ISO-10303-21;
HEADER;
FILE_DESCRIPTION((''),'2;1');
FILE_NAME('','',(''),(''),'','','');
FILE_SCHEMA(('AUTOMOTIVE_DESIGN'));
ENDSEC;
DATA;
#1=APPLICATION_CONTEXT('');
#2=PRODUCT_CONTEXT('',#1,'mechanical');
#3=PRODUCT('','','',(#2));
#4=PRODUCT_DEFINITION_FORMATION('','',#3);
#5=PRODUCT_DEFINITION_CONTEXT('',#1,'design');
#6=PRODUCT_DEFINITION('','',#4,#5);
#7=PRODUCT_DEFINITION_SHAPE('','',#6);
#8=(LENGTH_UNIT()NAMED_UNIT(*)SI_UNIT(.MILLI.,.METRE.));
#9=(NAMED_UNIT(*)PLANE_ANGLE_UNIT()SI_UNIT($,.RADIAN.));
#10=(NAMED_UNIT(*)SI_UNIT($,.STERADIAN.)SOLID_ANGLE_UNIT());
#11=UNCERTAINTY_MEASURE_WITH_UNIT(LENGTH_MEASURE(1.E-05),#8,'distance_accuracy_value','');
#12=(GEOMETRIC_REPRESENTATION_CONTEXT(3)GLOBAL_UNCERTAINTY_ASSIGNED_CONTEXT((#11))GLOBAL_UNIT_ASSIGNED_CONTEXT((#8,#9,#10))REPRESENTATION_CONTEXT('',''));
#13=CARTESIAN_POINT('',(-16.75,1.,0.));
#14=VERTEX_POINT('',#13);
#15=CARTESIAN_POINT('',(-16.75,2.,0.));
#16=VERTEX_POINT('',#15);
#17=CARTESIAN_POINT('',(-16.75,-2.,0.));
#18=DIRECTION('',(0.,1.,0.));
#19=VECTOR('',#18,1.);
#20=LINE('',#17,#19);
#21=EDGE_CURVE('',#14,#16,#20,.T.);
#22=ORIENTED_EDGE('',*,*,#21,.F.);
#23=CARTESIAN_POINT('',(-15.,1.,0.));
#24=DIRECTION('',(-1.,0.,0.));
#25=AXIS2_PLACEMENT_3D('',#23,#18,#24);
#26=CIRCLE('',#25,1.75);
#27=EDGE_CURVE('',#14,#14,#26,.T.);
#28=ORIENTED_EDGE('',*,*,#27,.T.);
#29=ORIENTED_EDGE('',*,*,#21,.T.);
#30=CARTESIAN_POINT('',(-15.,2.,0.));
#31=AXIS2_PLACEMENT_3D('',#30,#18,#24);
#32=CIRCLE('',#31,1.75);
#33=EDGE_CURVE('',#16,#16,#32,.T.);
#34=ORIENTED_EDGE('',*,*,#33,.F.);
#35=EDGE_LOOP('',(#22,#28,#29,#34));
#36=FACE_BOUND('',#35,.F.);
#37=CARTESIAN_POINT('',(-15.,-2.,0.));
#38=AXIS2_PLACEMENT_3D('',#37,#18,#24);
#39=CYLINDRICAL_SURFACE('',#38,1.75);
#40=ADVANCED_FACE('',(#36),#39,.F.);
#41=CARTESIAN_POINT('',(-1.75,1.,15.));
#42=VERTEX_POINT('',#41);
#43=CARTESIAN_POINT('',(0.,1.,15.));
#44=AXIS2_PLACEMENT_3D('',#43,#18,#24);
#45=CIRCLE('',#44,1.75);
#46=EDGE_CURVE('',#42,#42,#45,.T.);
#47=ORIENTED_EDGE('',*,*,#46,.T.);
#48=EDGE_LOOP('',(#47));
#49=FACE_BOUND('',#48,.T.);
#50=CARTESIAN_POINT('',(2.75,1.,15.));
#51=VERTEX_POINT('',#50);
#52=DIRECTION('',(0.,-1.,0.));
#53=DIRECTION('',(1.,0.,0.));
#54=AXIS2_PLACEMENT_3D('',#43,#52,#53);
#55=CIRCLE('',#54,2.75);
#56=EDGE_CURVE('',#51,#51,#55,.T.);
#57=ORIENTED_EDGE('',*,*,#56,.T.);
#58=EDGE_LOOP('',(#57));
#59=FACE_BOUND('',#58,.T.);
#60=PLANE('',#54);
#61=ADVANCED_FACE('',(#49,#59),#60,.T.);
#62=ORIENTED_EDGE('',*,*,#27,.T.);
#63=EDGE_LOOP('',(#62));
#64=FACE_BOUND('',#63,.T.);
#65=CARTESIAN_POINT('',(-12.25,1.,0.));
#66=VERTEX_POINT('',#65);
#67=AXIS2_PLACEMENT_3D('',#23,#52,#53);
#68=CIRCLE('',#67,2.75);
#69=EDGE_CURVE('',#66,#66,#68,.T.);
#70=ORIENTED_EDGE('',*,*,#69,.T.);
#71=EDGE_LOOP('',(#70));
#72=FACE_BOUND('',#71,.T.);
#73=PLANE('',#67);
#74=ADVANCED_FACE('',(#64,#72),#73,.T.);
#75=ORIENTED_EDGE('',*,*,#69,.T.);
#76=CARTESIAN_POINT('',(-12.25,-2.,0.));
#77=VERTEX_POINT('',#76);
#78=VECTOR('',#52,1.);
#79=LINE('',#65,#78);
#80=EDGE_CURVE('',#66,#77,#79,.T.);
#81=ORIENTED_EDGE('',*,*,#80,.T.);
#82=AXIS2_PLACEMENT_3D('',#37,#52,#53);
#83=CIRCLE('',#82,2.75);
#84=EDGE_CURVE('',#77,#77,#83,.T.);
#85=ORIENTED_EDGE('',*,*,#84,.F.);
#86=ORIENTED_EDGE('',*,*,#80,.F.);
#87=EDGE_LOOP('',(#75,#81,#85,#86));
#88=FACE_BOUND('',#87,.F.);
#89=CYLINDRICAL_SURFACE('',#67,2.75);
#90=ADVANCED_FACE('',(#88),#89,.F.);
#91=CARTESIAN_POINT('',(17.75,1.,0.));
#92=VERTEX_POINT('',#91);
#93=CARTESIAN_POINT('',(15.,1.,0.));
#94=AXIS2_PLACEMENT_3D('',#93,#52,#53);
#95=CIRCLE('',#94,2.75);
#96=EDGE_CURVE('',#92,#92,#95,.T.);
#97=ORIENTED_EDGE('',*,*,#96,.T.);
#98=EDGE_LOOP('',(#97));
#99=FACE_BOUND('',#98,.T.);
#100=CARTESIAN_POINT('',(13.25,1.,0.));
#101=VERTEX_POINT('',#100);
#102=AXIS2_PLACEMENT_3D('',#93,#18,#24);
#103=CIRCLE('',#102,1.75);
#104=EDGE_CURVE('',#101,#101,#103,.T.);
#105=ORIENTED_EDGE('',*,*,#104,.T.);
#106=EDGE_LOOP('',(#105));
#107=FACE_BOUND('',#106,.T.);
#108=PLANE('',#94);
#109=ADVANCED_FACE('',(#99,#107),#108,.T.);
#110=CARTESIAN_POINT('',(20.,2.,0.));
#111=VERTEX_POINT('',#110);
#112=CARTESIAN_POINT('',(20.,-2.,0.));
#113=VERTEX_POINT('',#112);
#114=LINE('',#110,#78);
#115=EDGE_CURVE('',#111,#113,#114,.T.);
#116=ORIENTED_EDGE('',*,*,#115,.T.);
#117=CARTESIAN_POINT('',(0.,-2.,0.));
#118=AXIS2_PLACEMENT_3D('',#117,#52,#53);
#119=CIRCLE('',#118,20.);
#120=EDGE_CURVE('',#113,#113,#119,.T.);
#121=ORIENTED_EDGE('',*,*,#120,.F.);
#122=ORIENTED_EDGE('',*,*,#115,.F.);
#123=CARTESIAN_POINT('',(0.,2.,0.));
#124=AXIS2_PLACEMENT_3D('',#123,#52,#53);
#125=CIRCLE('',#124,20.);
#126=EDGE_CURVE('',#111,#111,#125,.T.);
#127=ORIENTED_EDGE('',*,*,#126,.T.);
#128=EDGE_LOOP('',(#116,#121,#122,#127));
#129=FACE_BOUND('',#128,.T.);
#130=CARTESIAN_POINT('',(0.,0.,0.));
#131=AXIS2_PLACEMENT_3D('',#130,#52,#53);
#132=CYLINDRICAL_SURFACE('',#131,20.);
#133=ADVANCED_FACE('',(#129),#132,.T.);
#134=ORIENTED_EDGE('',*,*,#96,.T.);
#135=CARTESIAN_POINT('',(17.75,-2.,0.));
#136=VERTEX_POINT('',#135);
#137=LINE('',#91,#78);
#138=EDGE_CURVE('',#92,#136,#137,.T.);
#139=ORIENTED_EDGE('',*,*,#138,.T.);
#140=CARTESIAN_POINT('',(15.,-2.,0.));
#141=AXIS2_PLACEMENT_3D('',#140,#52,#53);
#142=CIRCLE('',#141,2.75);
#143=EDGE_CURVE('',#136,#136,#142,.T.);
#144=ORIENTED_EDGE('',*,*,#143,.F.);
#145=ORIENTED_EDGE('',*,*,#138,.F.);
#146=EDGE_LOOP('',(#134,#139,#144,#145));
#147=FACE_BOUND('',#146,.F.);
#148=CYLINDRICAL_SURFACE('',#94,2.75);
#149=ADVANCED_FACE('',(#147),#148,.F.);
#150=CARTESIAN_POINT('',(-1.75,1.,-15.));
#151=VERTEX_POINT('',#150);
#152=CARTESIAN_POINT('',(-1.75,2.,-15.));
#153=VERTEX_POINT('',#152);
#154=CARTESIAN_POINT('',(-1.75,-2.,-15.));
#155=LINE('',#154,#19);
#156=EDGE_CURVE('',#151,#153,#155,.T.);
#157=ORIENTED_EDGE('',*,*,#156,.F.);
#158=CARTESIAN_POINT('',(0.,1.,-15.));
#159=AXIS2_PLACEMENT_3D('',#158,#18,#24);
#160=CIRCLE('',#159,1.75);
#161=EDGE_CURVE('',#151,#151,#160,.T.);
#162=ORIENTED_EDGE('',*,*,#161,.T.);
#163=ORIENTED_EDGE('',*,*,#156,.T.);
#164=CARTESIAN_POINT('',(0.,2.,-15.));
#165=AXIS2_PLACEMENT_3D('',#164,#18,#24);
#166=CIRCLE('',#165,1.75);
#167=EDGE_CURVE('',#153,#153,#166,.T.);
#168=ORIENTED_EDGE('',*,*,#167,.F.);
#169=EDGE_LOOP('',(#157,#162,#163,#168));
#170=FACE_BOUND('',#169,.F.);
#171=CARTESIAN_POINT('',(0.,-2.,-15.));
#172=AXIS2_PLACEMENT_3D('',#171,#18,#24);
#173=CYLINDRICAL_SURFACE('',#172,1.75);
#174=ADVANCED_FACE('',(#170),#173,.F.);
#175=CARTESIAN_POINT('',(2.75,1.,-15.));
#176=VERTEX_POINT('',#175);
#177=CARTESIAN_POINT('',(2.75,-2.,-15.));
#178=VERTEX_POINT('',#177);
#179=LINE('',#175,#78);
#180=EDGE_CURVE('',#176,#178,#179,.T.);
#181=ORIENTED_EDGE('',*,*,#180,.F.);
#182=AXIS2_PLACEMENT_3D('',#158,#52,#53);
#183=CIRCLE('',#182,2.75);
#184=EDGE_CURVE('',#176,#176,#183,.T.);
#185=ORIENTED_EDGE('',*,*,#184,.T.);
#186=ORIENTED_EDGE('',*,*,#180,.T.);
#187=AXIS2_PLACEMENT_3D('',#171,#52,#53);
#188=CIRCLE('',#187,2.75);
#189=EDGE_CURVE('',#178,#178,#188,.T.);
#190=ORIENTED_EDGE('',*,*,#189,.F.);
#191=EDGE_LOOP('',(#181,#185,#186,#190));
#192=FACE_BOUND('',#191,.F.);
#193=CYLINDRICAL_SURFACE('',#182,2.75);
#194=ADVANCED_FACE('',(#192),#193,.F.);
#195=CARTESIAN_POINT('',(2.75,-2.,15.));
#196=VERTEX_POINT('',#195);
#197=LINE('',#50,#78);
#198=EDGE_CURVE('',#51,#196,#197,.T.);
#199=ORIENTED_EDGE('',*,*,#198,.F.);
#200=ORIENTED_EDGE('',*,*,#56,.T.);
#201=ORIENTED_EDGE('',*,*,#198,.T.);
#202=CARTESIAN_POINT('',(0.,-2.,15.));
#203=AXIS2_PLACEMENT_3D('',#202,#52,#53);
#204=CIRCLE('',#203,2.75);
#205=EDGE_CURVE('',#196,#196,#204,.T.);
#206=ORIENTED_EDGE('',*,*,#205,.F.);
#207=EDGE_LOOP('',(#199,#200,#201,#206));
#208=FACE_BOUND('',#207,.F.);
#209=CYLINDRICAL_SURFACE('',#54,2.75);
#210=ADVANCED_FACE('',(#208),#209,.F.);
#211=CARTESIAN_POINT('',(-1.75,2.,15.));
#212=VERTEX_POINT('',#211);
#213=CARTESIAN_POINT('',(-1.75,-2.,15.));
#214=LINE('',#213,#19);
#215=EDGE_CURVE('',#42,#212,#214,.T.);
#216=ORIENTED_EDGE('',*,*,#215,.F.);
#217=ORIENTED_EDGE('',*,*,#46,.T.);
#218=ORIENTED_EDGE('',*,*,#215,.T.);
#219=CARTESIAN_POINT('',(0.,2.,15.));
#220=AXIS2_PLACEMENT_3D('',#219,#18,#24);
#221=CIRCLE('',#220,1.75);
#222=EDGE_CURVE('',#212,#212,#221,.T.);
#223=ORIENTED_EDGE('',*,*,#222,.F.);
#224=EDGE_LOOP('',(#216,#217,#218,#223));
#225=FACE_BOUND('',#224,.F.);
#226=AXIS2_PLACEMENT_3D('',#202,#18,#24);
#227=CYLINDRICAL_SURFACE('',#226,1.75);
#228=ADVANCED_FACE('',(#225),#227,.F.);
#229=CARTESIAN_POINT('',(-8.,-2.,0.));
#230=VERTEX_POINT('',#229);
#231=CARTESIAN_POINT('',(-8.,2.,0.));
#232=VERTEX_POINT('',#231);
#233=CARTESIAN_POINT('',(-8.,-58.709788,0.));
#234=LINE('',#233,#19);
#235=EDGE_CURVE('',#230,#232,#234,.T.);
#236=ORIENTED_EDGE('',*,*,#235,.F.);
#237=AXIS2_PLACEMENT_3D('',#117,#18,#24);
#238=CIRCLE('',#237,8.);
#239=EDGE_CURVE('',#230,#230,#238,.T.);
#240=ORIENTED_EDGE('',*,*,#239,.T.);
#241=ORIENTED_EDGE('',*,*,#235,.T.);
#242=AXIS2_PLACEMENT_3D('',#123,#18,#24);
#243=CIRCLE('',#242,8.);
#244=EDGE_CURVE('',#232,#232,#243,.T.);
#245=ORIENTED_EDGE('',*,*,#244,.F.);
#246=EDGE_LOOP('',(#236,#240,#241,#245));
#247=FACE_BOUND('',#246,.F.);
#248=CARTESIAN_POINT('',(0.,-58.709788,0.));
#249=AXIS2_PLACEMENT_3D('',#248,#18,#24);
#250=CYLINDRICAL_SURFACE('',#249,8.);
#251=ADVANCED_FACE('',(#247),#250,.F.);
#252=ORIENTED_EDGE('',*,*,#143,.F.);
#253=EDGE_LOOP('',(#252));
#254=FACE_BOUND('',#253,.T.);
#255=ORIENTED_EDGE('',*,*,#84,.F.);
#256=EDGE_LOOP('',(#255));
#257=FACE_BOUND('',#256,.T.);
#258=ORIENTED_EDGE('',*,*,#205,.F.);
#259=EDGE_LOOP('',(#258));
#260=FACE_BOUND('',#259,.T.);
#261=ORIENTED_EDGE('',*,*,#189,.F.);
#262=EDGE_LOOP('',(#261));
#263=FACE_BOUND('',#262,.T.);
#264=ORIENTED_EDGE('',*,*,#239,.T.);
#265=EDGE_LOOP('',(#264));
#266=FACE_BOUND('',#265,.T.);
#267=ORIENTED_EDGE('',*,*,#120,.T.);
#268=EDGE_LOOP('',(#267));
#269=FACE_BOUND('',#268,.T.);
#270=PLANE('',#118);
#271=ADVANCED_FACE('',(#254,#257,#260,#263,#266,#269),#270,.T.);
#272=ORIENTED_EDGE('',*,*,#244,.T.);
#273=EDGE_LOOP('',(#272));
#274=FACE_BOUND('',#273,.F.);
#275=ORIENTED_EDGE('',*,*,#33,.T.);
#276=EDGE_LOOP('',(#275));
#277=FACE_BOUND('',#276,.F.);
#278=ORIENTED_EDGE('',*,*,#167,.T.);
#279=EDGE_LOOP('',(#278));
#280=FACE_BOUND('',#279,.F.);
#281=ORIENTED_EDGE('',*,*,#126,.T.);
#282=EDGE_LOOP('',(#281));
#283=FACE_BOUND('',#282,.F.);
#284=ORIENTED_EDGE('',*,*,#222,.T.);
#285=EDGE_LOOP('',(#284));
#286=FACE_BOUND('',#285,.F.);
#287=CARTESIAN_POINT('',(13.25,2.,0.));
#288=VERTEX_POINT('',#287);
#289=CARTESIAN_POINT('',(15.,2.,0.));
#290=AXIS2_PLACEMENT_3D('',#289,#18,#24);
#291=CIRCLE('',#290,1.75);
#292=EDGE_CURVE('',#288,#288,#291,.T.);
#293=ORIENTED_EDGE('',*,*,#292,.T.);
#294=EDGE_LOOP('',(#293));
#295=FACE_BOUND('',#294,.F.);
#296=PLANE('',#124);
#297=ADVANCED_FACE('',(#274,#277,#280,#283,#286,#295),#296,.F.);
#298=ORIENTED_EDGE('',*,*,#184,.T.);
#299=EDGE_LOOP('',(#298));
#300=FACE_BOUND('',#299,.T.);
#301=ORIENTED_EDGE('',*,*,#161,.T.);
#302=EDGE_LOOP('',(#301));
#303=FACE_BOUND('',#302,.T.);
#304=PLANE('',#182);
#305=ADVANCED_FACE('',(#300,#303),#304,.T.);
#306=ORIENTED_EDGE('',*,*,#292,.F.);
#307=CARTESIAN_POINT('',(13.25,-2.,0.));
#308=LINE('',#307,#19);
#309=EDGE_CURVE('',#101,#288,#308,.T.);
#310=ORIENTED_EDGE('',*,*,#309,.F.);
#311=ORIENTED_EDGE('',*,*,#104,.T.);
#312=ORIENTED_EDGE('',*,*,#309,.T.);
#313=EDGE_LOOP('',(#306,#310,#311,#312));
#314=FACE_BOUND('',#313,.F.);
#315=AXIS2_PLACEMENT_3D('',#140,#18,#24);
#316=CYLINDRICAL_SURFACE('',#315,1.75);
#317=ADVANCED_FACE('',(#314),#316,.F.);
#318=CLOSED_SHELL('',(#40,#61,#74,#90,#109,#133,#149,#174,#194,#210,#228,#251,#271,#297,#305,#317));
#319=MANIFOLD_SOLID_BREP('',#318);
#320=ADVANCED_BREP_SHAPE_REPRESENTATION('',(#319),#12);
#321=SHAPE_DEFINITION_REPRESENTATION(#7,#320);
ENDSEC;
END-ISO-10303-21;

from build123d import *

# Parameters (mm, degrees)
F0_R           = 20
F1_DEPTH       = 2
F3_D           = 3.5
F3_CBORE_D     = 5.5
F3_CBORE_DEPTH = 3
F4_D           = 16


with BuildPart() as f1:
    # F0 (on Front) → F1 (new body, symmetric)
    with BuildSketch(Plane.XZ):
        Circle(F0_R)
    extrude(amount=F1_DEPTH, both=True)

    # F3 (through all)
    with Locations(Plane.XZ.offset(2)):
        with Locations((0, 15), (-15, 0), (0, -15), (15, 0)):
            CounterBoreHole(F3_D / 2, F3_CBORE_D / 2, F3_CBORE_DEPTH)

    # F4 (through all)
    with Locations(Plane.XZ.offset(2)):
        with Locations((0, 0)):
            Hole(F4_D / 2)


solid = f1.part
